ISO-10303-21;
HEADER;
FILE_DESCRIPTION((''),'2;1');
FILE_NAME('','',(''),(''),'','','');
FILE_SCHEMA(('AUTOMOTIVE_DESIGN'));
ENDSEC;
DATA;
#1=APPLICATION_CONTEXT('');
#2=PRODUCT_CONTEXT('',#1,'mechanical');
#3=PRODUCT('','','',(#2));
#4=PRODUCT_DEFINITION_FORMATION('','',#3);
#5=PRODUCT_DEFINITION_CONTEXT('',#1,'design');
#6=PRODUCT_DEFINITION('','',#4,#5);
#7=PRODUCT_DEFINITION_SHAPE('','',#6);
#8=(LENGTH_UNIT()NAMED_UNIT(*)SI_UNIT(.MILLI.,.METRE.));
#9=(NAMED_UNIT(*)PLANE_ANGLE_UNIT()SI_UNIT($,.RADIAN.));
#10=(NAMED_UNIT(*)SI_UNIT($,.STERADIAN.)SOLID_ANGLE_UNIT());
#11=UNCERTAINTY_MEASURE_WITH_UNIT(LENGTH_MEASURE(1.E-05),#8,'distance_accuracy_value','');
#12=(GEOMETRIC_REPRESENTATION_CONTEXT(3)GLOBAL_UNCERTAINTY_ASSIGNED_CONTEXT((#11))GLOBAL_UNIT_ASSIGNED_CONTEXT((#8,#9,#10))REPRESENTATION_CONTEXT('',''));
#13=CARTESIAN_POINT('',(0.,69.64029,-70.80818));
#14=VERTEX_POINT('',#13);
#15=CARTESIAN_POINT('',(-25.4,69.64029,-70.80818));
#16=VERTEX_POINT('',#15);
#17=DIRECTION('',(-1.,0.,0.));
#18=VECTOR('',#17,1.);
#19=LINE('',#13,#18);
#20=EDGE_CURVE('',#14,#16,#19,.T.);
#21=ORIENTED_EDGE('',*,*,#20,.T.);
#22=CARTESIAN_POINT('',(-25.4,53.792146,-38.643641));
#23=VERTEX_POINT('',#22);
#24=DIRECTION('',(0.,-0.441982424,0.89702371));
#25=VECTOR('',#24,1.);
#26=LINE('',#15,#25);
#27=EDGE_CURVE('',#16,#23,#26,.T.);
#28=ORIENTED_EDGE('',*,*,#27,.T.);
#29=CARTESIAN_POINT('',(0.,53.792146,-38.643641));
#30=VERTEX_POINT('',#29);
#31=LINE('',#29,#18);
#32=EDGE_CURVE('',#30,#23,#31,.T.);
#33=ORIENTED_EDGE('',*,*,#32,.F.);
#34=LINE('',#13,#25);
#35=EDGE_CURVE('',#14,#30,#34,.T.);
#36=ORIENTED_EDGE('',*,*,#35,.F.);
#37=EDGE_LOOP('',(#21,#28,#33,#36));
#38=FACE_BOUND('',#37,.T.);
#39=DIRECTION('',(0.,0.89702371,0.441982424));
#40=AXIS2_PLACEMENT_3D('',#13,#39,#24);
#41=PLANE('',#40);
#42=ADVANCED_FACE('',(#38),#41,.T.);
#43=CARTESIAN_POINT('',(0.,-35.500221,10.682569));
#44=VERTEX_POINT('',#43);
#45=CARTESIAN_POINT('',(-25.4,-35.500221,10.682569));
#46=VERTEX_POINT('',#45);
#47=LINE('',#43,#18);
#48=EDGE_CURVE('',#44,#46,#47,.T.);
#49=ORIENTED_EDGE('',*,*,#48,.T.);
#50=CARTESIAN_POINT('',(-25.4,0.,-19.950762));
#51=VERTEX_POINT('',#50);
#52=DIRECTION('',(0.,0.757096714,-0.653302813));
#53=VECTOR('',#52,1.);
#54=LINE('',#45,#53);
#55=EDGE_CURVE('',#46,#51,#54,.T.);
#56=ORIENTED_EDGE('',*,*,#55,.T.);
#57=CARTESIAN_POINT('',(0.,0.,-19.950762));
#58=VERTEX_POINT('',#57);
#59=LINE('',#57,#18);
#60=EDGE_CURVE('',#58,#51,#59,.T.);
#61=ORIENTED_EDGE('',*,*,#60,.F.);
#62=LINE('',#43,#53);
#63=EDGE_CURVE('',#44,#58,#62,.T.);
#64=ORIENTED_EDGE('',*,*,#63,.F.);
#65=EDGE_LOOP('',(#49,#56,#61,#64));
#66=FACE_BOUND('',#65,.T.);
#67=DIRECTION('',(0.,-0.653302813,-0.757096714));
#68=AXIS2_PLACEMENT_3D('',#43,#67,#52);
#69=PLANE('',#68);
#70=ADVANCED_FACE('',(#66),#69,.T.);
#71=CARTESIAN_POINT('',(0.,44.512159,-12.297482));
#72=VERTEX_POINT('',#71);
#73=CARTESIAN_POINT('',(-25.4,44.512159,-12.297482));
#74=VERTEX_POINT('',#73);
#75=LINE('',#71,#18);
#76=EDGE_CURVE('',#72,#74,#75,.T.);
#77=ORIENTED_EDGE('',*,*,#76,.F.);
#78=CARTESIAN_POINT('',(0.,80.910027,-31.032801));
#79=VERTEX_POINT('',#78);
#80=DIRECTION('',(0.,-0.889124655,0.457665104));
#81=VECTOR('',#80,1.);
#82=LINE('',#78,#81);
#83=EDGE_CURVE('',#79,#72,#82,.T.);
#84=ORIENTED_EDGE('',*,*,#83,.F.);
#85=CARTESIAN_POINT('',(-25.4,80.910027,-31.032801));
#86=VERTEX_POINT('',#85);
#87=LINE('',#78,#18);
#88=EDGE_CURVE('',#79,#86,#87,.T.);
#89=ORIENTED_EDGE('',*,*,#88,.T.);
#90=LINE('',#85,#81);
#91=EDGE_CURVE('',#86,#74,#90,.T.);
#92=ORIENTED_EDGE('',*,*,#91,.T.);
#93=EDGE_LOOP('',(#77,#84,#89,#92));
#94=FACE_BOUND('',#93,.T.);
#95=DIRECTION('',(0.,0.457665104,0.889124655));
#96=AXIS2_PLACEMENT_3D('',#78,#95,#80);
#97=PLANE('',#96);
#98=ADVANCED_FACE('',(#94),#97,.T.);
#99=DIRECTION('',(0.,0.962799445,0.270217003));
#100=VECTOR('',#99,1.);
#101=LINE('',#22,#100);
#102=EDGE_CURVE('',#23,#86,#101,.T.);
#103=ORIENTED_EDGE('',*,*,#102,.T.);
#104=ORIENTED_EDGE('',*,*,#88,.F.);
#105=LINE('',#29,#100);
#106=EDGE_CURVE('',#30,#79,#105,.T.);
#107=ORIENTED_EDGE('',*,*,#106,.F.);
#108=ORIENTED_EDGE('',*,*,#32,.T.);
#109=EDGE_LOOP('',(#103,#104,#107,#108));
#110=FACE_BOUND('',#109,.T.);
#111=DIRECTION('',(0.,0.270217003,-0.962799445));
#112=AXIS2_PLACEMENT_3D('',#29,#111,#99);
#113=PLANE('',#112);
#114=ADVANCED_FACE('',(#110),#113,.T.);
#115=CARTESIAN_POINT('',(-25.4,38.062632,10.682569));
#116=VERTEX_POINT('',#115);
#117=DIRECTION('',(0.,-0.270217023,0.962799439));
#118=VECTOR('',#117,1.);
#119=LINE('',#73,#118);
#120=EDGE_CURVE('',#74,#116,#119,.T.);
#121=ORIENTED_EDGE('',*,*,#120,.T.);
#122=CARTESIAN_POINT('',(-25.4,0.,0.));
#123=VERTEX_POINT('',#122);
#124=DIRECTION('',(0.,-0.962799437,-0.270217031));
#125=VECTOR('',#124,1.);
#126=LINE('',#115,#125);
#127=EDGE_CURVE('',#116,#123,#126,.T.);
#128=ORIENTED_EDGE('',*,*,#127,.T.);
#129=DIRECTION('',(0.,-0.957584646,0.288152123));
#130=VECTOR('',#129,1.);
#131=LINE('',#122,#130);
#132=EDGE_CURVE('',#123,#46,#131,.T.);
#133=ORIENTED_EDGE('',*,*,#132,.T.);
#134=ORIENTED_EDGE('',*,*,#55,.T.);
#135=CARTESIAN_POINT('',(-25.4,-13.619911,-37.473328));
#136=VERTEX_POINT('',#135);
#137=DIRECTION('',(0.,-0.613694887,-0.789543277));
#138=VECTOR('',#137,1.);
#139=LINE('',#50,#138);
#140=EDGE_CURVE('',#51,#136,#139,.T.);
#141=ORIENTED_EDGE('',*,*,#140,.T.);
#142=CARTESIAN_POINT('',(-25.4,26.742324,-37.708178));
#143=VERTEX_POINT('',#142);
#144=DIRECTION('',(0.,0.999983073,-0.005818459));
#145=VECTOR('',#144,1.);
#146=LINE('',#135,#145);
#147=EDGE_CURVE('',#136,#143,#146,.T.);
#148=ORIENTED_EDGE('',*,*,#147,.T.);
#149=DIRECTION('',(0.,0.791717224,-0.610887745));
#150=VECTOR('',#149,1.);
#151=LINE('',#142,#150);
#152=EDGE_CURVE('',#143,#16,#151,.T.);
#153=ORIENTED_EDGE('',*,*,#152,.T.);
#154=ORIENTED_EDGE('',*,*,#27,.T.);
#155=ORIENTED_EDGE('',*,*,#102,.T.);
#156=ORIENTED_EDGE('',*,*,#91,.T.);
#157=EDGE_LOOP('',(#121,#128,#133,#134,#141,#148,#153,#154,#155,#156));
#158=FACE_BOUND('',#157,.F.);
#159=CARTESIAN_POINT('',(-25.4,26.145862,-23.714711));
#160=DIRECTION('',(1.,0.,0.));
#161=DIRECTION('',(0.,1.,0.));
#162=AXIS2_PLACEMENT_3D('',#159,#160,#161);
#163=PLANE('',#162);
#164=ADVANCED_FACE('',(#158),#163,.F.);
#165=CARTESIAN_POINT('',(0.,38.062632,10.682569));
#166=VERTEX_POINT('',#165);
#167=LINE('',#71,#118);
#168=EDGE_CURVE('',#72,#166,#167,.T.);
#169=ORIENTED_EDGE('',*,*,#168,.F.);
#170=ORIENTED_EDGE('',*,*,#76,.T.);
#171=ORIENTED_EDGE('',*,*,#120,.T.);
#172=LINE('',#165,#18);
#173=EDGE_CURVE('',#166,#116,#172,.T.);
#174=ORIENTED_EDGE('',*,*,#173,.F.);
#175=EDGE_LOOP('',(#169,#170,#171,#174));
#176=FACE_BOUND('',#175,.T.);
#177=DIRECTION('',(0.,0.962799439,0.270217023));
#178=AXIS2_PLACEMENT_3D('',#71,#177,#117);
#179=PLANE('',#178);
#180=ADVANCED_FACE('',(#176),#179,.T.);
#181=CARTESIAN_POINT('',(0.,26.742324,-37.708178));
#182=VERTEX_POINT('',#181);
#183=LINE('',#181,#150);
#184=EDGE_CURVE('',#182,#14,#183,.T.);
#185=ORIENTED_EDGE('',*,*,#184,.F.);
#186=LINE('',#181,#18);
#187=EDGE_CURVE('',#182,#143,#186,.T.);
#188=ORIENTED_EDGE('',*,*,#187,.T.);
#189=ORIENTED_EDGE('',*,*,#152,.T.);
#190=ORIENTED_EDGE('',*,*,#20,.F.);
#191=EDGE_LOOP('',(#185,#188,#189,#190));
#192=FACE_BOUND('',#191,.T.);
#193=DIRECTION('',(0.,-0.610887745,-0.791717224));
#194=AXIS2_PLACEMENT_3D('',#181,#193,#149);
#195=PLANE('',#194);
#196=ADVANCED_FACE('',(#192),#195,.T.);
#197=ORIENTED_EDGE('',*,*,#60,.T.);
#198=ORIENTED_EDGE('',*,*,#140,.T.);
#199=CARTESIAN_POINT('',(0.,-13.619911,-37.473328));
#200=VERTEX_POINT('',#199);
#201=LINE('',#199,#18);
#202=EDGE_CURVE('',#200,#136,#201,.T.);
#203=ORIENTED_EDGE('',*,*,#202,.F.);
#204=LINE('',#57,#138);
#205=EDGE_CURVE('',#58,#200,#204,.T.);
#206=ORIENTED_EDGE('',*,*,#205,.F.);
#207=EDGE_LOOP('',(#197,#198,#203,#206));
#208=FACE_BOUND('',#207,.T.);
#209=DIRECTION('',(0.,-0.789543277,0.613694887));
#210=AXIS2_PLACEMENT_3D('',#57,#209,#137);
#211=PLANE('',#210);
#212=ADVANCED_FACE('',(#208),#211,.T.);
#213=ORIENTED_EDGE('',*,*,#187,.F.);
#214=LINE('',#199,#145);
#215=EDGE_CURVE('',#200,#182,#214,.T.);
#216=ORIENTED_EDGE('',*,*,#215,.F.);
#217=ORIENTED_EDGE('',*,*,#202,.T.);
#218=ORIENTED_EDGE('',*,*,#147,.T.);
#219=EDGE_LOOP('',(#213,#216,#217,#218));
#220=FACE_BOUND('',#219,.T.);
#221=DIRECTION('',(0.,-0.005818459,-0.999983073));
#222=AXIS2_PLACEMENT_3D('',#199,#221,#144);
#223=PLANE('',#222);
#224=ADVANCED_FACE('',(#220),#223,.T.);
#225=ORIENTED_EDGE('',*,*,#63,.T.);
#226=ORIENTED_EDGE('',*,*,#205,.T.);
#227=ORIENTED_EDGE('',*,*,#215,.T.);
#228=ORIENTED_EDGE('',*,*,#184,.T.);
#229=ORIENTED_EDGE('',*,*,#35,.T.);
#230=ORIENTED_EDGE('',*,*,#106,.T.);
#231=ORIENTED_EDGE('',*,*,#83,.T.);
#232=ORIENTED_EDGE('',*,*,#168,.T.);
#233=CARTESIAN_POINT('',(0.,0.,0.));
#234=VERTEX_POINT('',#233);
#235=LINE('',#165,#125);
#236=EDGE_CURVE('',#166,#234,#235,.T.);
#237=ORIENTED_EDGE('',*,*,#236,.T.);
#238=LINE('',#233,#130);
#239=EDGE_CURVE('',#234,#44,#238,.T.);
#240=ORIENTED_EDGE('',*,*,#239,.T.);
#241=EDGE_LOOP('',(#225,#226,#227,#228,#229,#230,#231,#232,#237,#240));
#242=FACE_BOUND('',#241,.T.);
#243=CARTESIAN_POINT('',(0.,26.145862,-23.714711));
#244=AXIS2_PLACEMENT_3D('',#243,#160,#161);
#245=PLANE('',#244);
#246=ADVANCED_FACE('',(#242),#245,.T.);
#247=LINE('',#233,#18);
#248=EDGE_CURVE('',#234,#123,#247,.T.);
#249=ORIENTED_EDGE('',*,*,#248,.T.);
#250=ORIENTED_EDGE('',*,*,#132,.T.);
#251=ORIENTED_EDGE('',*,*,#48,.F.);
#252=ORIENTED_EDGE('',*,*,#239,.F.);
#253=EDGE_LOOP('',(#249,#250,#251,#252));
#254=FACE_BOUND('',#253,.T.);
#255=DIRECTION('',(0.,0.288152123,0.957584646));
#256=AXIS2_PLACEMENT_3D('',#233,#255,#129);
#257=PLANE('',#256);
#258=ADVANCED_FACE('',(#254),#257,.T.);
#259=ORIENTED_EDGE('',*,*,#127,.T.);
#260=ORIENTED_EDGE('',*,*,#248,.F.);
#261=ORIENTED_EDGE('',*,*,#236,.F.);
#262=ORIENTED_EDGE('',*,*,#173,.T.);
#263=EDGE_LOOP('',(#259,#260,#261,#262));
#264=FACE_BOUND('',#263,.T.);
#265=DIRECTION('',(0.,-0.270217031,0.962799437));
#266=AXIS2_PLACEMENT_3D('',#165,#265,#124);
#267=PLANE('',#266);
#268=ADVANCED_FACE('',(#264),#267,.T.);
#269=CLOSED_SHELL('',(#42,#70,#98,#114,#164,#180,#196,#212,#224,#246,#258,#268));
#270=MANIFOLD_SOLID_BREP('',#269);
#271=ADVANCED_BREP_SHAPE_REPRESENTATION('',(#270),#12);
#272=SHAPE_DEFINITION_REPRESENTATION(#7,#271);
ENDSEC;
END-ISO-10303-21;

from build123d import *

# Parameters (mm, degrees)
F1_DEPTH = 25.4


with BuildPart() as f1:
    # F0 (on Right) → F1 (new body)
    with BuildSketch(Plane.YZ):
        Polygon((0, -19.950762), (-13.619911, -37.473328), (26.742324, -37.708178), (69.64029, -70.80818), (53.792146, -38.643641), (80.910027, -31.032801), (44.512159, -12.297482), (38.062632, 10.682569), (0, 0), (-35.500221, 10.682569), align=None)
    extrude(amount=-F1_DEPTH)


solid = f1.part
